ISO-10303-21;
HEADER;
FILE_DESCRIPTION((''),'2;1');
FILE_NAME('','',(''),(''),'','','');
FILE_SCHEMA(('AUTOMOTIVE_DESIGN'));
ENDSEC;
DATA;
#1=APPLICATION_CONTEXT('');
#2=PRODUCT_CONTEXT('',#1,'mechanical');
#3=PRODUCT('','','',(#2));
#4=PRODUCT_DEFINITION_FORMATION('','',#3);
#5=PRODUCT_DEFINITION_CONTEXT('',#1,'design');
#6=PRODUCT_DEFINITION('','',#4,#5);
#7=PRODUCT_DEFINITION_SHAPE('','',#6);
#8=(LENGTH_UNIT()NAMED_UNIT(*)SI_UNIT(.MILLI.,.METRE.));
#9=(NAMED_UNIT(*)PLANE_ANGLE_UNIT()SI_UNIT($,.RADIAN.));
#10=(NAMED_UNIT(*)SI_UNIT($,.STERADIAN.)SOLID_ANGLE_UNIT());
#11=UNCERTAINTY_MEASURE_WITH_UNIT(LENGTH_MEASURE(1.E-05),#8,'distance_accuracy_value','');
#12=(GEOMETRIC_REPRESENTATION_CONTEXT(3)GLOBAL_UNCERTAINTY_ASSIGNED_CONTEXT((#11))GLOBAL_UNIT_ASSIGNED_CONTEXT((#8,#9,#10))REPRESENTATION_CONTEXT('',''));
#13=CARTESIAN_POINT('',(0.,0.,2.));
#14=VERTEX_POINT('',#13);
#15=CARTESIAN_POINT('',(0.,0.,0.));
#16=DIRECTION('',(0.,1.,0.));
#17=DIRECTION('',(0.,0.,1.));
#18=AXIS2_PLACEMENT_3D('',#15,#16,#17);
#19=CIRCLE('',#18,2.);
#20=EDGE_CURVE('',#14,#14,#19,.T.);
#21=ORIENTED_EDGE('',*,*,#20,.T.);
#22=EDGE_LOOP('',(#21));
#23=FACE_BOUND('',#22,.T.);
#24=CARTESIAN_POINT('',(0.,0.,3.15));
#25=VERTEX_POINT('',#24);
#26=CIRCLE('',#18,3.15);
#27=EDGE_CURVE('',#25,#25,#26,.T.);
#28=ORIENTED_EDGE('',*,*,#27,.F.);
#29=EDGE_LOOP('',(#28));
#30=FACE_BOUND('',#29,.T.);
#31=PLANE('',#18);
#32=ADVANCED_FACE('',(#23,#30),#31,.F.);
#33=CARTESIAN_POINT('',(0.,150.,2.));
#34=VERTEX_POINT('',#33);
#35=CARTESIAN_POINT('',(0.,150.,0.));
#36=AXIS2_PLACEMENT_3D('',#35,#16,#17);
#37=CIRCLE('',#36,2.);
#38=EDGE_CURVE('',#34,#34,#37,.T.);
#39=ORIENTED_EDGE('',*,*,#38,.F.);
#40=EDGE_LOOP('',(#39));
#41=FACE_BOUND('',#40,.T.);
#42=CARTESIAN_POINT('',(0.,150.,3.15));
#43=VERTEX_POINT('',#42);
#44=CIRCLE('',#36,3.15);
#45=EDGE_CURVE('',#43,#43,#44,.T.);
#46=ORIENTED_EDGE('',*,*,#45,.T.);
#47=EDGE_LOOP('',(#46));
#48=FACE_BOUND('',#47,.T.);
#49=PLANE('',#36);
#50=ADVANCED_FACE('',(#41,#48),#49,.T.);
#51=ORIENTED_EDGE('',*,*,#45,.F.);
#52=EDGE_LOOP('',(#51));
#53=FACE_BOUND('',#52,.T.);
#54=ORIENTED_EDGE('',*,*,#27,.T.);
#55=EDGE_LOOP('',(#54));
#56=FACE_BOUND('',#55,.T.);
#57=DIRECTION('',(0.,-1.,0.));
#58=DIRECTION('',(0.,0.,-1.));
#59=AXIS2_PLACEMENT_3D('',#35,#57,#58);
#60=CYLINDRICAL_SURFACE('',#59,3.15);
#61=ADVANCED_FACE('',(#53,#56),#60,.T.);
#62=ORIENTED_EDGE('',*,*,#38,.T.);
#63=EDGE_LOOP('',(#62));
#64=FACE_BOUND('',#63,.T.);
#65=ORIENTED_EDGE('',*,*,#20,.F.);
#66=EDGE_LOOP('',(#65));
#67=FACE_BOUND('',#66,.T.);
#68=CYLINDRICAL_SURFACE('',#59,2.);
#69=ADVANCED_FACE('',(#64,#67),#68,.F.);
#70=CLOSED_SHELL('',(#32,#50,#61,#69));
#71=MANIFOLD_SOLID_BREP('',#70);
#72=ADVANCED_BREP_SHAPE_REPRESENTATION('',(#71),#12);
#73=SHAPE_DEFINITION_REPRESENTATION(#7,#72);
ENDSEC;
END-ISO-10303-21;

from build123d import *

# Parameters (mm, degrees)
SKETCH_1_R      = 3.15
SKETCH_1_R_2    = 2
EXTRUDE_1_DEPTH = 150


with BuildPart() as part:
    # 草图1 → 凸台-拉伸1 (new body)
    with BuildSketch(Plane(origin=(0, 0, 0), x_dir=(1, 0, 0), z_dir=(0, 1, 0))):
        Circle(SKETCH_1_R)
        Circle(SKETCH_1_R_2, mode=Mode.SUBTRACT)
    extrude(amount=EXTRUDE_1_DEPTH)


solid = part.part
